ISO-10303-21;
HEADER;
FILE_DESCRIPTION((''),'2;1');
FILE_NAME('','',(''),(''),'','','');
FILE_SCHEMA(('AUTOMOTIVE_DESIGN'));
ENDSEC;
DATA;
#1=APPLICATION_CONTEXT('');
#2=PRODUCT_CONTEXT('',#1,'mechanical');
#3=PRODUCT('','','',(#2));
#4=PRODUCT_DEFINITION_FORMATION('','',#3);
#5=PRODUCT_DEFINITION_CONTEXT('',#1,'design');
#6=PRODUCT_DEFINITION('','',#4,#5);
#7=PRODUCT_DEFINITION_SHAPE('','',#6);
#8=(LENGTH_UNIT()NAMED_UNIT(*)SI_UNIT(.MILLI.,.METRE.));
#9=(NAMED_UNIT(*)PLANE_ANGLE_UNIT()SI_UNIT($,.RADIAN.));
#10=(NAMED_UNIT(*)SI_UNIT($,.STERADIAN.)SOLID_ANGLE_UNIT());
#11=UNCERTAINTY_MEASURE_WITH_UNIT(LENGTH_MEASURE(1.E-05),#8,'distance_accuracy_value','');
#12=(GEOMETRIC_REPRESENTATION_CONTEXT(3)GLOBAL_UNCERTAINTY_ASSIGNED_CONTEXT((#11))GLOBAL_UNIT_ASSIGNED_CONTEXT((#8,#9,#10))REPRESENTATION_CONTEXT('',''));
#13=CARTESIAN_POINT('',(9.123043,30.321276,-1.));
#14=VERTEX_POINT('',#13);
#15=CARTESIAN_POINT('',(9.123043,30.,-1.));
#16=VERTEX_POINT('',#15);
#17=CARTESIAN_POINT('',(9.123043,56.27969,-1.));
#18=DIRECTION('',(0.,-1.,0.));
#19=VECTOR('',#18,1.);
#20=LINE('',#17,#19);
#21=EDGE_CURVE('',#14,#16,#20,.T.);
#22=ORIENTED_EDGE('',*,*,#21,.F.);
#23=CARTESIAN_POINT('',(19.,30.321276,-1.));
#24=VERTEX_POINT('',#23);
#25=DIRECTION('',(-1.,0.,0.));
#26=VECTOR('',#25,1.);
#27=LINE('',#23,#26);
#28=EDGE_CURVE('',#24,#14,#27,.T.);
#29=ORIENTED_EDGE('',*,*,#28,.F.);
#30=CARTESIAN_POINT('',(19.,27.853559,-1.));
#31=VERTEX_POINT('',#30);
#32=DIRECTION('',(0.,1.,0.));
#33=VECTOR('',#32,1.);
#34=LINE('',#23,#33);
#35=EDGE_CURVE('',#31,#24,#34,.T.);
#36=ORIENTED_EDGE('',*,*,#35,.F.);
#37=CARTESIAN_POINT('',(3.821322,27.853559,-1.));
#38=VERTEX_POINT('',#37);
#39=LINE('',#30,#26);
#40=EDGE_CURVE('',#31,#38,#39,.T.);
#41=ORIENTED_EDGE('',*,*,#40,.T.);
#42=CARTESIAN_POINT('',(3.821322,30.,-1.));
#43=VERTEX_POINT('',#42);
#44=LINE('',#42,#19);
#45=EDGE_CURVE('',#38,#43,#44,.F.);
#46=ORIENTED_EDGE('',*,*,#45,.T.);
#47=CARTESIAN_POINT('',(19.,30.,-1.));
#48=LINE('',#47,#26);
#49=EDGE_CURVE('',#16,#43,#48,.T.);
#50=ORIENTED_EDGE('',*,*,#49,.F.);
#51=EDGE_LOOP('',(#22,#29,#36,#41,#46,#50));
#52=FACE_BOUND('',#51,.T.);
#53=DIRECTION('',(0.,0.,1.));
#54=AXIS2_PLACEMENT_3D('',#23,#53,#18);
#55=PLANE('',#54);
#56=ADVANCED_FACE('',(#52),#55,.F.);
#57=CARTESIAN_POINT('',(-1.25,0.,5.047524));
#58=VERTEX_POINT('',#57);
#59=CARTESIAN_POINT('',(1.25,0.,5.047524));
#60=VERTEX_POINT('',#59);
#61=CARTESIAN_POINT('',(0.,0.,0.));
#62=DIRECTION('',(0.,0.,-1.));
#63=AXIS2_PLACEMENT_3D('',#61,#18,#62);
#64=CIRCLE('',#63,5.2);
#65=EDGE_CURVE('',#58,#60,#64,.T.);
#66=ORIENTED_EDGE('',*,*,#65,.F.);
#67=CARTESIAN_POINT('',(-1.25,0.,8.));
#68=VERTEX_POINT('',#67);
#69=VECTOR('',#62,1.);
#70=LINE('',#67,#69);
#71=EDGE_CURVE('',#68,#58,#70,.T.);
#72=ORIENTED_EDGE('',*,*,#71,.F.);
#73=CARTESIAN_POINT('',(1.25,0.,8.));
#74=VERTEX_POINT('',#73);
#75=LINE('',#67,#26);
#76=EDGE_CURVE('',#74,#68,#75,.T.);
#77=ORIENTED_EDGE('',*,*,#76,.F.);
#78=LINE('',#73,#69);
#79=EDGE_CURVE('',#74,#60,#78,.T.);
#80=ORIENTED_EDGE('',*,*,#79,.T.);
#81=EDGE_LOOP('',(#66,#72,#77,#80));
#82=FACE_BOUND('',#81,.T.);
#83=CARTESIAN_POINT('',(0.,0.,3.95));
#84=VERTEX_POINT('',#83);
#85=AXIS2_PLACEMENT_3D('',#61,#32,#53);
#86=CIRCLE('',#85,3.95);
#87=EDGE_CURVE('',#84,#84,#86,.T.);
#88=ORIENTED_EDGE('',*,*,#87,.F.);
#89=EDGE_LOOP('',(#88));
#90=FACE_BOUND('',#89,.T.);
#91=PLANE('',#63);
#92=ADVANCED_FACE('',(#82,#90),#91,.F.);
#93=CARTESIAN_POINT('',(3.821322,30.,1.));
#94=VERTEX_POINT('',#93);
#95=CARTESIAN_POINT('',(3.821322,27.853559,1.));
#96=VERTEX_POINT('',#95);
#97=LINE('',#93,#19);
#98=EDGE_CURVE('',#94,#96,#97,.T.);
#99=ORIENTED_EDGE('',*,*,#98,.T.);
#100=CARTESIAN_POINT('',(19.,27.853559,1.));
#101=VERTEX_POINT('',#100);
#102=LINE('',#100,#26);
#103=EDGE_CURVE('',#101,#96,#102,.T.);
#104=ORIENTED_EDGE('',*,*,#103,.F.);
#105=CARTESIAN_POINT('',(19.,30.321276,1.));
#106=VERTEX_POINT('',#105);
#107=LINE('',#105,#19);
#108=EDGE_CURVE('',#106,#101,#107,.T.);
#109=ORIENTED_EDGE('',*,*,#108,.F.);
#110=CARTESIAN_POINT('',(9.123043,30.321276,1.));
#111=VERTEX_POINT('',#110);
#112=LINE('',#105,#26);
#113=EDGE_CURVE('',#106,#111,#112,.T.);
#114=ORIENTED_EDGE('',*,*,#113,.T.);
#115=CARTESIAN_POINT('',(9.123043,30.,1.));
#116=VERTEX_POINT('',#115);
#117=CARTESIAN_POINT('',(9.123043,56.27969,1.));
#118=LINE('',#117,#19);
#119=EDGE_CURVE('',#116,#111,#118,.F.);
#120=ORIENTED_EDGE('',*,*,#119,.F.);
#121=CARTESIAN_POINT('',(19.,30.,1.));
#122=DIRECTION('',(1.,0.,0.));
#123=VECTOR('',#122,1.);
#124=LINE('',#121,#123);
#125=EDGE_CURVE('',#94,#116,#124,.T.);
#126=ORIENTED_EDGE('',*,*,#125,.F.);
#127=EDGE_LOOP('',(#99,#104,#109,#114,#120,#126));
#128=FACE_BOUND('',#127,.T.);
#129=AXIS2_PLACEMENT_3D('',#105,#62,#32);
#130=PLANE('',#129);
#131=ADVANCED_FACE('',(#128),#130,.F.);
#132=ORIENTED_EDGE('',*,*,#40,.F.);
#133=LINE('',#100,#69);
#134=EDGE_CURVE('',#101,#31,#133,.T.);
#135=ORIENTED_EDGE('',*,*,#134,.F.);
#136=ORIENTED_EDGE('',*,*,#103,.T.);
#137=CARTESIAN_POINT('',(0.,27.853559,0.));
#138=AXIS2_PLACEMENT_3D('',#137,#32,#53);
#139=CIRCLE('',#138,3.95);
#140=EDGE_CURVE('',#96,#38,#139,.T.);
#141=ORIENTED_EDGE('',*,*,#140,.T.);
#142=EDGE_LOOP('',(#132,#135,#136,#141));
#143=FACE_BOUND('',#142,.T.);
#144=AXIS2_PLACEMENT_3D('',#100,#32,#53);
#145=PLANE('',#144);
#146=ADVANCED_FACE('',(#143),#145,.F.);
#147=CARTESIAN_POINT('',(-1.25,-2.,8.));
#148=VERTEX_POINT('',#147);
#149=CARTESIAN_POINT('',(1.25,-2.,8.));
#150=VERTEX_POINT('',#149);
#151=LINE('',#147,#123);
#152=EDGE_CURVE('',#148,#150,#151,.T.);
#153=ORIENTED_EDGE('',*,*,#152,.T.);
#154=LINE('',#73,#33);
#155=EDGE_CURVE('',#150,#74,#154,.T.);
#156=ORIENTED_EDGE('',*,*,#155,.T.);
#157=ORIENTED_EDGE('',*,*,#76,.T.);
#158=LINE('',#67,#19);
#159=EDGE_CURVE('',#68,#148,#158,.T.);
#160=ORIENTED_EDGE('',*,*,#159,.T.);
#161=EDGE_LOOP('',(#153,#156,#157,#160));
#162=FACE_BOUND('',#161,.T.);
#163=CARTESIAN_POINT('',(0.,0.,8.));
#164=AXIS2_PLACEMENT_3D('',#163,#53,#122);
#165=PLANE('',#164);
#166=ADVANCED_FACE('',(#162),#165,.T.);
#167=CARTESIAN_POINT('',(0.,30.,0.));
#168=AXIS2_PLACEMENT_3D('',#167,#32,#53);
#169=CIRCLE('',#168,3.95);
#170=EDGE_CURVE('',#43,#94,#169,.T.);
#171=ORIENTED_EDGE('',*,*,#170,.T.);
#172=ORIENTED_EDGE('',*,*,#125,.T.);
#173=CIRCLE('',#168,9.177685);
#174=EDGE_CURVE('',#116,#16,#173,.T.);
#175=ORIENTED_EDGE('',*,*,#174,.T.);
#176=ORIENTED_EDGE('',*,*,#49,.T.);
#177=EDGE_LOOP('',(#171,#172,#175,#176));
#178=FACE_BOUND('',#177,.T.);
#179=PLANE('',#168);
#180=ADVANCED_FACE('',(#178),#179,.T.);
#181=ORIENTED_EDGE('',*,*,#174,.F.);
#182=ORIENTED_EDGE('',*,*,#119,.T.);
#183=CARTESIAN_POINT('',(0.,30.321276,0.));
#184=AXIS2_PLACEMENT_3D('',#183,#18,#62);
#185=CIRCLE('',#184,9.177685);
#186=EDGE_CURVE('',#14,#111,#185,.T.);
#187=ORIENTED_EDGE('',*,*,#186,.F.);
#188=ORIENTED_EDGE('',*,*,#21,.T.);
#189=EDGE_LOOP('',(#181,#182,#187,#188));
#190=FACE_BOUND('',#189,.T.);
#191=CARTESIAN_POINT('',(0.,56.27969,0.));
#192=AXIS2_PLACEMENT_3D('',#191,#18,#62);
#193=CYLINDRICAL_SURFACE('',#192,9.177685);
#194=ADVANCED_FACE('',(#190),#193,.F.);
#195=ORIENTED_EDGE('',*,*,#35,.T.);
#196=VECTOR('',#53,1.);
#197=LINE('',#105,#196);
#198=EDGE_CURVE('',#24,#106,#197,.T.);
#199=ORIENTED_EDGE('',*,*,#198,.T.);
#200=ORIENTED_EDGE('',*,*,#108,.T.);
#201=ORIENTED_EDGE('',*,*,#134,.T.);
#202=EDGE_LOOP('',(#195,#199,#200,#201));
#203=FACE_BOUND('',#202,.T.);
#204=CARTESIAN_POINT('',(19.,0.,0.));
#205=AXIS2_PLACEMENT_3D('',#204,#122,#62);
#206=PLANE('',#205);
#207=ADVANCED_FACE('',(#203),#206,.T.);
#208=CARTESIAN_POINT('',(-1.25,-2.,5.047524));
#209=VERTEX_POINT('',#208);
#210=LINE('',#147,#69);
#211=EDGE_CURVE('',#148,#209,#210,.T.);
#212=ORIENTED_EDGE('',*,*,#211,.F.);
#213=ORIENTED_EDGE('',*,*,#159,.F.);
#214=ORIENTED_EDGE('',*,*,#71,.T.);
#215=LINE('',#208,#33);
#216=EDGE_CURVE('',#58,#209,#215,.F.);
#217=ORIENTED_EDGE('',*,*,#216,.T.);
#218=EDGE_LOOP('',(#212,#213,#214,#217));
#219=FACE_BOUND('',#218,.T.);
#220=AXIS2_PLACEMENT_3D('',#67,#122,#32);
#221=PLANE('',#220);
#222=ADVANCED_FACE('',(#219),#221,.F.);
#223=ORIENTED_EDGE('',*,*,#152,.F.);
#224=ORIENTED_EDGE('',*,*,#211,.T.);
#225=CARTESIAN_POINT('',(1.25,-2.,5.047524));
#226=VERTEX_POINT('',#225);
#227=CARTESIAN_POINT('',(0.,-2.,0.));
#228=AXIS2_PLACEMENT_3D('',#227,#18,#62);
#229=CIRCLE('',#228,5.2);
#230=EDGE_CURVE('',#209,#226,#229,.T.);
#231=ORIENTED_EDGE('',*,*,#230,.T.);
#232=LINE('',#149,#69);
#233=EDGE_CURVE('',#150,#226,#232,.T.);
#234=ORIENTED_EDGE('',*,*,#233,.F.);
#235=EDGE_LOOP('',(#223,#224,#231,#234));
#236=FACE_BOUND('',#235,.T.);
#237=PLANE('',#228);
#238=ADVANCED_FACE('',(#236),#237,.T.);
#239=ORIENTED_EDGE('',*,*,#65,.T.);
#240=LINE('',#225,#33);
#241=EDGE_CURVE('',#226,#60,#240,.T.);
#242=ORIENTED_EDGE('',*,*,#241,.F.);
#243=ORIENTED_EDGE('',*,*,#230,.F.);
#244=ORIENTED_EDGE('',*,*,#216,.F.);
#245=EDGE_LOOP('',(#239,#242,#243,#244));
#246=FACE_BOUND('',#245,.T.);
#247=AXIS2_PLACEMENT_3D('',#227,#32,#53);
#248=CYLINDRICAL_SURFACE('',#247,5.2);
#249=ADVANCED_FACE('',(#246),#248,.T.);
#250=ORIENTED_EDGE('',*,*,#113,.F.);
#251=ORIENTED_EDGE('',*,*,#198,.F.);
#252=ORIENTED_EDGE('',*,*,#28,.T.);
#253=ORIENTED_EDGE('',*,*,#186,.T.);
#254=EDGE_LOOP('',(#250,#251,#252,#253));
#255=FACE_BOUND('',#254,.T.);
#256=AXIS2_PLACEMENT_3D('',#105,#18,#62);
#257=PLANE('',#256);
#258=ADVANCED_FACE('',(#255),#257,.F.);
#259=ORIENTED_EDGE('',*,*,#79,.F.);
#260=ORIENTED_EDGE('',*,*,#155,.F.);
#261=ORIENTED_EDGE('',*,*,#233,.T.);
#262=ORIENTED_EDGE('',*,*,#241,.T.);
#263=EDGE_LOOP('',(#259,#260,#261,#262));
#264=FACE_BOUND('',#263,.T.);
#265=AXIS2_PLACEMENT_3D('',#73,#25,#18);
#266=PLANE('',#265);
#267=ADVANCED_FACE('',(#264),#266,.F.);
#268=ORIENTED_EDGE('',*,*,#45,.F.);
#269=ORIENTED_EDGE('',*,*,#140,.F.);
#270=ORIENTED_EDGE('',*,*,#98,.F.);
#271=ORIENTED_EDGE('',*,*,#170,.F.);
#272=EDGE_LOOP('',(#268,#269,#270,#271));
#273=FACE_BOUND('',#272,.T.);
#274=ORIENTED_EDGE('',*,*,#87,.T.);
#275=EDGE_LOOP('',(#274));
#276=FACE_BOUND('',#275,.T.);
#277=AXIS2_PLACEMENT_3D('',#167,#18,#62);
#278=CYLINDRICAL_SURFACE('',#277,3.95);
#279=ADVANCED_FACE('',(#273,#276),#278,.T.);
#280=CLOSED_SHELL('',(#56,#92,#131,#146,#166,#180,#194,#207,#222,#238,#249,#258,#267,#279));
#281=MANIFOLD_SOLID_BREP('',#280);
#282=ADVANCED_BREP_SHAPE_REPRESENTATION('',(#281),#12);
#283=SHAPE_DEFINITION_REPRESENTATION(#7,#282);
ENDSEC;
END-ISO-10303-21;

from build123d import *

# Parameters (mm, degrees)
SKETCH1_R           = 3.95
BOSS_EXTRUDE1_DEPTH = 30
SKETCH2_R           = 5.2
BOSS_EXTRUDE2_DEPTH = 2
SKETCH5_W           = 2
SKETCH5_H           = 2.467717667
BOSS_EXTRUDE3_DEPTH = 19
SKETCH6_R           = 9.177685327
CUT_EXTRUDE1_DEPTH  = 0.321276311
SKETCH8_W           = 2.5
SKETCH8_H           = 2
BOSS_EXTRUDE4_DEPTH = 8


with BuildPart() as part:
    # Sketch1 → Boss-Extrude1 (new body)
    with BuildSketch(Plane(origin=(0, 0, 0), x_dir=(1, 0, 0), z_dir=(0, 1, 0))):
        with Locations(Location((0, 0, 0), (0, 0, 270))):
            Circle(SKETCH1_R)
    extrude(amount=BOSS_EXTRUDE1_DEPTH)

    # Sketch2 → Boss-Extrude2 (add)
    with BuildSketch(Plane.XZ):
        with Locations(Location((0, 0, 0), (0, 0, 270))):
            Circle(SKETCH2_R)
    extrude(amount=BOSS_EXTRUDE2_DEPTH)

    # Sketch5 → Boss-Extrude3 (add)
    with BuildSketch(Plane(origin=(0, 0, 0), x_dir=(0, 0, -1), z_dir=(1, 0, 0))):
        with Locations((0, 29.087417478)):
            Rectangle(SKETCH5_W, SKETCH5_H)
    extrude(amount=BOSS_EXTRUDE3_DEPTH)

    # Sketch6 → Cut-Extrude1 (cut)
    with BuildSketch(Plane(origin=(0, 30, 0), x_dir=(1, 0, 0), z_dir=(0, 1, 0))):
        Circle(SKETCH6_R)
    extrude(amount=CUT_EXTRUDE1_DEPTH, mode=Mode.SUBTRACT)

    # Sketch8 → Boss-Extrude4 (add)
    with BuildSketch(Plane.XY):
        with Locations((0, -1)):
            Rectangle(SKETCH8_W, SKETCH8_H)
    extrude(amount=BOSS_EXTRUDE4_DEPTH)


solid = part.part
